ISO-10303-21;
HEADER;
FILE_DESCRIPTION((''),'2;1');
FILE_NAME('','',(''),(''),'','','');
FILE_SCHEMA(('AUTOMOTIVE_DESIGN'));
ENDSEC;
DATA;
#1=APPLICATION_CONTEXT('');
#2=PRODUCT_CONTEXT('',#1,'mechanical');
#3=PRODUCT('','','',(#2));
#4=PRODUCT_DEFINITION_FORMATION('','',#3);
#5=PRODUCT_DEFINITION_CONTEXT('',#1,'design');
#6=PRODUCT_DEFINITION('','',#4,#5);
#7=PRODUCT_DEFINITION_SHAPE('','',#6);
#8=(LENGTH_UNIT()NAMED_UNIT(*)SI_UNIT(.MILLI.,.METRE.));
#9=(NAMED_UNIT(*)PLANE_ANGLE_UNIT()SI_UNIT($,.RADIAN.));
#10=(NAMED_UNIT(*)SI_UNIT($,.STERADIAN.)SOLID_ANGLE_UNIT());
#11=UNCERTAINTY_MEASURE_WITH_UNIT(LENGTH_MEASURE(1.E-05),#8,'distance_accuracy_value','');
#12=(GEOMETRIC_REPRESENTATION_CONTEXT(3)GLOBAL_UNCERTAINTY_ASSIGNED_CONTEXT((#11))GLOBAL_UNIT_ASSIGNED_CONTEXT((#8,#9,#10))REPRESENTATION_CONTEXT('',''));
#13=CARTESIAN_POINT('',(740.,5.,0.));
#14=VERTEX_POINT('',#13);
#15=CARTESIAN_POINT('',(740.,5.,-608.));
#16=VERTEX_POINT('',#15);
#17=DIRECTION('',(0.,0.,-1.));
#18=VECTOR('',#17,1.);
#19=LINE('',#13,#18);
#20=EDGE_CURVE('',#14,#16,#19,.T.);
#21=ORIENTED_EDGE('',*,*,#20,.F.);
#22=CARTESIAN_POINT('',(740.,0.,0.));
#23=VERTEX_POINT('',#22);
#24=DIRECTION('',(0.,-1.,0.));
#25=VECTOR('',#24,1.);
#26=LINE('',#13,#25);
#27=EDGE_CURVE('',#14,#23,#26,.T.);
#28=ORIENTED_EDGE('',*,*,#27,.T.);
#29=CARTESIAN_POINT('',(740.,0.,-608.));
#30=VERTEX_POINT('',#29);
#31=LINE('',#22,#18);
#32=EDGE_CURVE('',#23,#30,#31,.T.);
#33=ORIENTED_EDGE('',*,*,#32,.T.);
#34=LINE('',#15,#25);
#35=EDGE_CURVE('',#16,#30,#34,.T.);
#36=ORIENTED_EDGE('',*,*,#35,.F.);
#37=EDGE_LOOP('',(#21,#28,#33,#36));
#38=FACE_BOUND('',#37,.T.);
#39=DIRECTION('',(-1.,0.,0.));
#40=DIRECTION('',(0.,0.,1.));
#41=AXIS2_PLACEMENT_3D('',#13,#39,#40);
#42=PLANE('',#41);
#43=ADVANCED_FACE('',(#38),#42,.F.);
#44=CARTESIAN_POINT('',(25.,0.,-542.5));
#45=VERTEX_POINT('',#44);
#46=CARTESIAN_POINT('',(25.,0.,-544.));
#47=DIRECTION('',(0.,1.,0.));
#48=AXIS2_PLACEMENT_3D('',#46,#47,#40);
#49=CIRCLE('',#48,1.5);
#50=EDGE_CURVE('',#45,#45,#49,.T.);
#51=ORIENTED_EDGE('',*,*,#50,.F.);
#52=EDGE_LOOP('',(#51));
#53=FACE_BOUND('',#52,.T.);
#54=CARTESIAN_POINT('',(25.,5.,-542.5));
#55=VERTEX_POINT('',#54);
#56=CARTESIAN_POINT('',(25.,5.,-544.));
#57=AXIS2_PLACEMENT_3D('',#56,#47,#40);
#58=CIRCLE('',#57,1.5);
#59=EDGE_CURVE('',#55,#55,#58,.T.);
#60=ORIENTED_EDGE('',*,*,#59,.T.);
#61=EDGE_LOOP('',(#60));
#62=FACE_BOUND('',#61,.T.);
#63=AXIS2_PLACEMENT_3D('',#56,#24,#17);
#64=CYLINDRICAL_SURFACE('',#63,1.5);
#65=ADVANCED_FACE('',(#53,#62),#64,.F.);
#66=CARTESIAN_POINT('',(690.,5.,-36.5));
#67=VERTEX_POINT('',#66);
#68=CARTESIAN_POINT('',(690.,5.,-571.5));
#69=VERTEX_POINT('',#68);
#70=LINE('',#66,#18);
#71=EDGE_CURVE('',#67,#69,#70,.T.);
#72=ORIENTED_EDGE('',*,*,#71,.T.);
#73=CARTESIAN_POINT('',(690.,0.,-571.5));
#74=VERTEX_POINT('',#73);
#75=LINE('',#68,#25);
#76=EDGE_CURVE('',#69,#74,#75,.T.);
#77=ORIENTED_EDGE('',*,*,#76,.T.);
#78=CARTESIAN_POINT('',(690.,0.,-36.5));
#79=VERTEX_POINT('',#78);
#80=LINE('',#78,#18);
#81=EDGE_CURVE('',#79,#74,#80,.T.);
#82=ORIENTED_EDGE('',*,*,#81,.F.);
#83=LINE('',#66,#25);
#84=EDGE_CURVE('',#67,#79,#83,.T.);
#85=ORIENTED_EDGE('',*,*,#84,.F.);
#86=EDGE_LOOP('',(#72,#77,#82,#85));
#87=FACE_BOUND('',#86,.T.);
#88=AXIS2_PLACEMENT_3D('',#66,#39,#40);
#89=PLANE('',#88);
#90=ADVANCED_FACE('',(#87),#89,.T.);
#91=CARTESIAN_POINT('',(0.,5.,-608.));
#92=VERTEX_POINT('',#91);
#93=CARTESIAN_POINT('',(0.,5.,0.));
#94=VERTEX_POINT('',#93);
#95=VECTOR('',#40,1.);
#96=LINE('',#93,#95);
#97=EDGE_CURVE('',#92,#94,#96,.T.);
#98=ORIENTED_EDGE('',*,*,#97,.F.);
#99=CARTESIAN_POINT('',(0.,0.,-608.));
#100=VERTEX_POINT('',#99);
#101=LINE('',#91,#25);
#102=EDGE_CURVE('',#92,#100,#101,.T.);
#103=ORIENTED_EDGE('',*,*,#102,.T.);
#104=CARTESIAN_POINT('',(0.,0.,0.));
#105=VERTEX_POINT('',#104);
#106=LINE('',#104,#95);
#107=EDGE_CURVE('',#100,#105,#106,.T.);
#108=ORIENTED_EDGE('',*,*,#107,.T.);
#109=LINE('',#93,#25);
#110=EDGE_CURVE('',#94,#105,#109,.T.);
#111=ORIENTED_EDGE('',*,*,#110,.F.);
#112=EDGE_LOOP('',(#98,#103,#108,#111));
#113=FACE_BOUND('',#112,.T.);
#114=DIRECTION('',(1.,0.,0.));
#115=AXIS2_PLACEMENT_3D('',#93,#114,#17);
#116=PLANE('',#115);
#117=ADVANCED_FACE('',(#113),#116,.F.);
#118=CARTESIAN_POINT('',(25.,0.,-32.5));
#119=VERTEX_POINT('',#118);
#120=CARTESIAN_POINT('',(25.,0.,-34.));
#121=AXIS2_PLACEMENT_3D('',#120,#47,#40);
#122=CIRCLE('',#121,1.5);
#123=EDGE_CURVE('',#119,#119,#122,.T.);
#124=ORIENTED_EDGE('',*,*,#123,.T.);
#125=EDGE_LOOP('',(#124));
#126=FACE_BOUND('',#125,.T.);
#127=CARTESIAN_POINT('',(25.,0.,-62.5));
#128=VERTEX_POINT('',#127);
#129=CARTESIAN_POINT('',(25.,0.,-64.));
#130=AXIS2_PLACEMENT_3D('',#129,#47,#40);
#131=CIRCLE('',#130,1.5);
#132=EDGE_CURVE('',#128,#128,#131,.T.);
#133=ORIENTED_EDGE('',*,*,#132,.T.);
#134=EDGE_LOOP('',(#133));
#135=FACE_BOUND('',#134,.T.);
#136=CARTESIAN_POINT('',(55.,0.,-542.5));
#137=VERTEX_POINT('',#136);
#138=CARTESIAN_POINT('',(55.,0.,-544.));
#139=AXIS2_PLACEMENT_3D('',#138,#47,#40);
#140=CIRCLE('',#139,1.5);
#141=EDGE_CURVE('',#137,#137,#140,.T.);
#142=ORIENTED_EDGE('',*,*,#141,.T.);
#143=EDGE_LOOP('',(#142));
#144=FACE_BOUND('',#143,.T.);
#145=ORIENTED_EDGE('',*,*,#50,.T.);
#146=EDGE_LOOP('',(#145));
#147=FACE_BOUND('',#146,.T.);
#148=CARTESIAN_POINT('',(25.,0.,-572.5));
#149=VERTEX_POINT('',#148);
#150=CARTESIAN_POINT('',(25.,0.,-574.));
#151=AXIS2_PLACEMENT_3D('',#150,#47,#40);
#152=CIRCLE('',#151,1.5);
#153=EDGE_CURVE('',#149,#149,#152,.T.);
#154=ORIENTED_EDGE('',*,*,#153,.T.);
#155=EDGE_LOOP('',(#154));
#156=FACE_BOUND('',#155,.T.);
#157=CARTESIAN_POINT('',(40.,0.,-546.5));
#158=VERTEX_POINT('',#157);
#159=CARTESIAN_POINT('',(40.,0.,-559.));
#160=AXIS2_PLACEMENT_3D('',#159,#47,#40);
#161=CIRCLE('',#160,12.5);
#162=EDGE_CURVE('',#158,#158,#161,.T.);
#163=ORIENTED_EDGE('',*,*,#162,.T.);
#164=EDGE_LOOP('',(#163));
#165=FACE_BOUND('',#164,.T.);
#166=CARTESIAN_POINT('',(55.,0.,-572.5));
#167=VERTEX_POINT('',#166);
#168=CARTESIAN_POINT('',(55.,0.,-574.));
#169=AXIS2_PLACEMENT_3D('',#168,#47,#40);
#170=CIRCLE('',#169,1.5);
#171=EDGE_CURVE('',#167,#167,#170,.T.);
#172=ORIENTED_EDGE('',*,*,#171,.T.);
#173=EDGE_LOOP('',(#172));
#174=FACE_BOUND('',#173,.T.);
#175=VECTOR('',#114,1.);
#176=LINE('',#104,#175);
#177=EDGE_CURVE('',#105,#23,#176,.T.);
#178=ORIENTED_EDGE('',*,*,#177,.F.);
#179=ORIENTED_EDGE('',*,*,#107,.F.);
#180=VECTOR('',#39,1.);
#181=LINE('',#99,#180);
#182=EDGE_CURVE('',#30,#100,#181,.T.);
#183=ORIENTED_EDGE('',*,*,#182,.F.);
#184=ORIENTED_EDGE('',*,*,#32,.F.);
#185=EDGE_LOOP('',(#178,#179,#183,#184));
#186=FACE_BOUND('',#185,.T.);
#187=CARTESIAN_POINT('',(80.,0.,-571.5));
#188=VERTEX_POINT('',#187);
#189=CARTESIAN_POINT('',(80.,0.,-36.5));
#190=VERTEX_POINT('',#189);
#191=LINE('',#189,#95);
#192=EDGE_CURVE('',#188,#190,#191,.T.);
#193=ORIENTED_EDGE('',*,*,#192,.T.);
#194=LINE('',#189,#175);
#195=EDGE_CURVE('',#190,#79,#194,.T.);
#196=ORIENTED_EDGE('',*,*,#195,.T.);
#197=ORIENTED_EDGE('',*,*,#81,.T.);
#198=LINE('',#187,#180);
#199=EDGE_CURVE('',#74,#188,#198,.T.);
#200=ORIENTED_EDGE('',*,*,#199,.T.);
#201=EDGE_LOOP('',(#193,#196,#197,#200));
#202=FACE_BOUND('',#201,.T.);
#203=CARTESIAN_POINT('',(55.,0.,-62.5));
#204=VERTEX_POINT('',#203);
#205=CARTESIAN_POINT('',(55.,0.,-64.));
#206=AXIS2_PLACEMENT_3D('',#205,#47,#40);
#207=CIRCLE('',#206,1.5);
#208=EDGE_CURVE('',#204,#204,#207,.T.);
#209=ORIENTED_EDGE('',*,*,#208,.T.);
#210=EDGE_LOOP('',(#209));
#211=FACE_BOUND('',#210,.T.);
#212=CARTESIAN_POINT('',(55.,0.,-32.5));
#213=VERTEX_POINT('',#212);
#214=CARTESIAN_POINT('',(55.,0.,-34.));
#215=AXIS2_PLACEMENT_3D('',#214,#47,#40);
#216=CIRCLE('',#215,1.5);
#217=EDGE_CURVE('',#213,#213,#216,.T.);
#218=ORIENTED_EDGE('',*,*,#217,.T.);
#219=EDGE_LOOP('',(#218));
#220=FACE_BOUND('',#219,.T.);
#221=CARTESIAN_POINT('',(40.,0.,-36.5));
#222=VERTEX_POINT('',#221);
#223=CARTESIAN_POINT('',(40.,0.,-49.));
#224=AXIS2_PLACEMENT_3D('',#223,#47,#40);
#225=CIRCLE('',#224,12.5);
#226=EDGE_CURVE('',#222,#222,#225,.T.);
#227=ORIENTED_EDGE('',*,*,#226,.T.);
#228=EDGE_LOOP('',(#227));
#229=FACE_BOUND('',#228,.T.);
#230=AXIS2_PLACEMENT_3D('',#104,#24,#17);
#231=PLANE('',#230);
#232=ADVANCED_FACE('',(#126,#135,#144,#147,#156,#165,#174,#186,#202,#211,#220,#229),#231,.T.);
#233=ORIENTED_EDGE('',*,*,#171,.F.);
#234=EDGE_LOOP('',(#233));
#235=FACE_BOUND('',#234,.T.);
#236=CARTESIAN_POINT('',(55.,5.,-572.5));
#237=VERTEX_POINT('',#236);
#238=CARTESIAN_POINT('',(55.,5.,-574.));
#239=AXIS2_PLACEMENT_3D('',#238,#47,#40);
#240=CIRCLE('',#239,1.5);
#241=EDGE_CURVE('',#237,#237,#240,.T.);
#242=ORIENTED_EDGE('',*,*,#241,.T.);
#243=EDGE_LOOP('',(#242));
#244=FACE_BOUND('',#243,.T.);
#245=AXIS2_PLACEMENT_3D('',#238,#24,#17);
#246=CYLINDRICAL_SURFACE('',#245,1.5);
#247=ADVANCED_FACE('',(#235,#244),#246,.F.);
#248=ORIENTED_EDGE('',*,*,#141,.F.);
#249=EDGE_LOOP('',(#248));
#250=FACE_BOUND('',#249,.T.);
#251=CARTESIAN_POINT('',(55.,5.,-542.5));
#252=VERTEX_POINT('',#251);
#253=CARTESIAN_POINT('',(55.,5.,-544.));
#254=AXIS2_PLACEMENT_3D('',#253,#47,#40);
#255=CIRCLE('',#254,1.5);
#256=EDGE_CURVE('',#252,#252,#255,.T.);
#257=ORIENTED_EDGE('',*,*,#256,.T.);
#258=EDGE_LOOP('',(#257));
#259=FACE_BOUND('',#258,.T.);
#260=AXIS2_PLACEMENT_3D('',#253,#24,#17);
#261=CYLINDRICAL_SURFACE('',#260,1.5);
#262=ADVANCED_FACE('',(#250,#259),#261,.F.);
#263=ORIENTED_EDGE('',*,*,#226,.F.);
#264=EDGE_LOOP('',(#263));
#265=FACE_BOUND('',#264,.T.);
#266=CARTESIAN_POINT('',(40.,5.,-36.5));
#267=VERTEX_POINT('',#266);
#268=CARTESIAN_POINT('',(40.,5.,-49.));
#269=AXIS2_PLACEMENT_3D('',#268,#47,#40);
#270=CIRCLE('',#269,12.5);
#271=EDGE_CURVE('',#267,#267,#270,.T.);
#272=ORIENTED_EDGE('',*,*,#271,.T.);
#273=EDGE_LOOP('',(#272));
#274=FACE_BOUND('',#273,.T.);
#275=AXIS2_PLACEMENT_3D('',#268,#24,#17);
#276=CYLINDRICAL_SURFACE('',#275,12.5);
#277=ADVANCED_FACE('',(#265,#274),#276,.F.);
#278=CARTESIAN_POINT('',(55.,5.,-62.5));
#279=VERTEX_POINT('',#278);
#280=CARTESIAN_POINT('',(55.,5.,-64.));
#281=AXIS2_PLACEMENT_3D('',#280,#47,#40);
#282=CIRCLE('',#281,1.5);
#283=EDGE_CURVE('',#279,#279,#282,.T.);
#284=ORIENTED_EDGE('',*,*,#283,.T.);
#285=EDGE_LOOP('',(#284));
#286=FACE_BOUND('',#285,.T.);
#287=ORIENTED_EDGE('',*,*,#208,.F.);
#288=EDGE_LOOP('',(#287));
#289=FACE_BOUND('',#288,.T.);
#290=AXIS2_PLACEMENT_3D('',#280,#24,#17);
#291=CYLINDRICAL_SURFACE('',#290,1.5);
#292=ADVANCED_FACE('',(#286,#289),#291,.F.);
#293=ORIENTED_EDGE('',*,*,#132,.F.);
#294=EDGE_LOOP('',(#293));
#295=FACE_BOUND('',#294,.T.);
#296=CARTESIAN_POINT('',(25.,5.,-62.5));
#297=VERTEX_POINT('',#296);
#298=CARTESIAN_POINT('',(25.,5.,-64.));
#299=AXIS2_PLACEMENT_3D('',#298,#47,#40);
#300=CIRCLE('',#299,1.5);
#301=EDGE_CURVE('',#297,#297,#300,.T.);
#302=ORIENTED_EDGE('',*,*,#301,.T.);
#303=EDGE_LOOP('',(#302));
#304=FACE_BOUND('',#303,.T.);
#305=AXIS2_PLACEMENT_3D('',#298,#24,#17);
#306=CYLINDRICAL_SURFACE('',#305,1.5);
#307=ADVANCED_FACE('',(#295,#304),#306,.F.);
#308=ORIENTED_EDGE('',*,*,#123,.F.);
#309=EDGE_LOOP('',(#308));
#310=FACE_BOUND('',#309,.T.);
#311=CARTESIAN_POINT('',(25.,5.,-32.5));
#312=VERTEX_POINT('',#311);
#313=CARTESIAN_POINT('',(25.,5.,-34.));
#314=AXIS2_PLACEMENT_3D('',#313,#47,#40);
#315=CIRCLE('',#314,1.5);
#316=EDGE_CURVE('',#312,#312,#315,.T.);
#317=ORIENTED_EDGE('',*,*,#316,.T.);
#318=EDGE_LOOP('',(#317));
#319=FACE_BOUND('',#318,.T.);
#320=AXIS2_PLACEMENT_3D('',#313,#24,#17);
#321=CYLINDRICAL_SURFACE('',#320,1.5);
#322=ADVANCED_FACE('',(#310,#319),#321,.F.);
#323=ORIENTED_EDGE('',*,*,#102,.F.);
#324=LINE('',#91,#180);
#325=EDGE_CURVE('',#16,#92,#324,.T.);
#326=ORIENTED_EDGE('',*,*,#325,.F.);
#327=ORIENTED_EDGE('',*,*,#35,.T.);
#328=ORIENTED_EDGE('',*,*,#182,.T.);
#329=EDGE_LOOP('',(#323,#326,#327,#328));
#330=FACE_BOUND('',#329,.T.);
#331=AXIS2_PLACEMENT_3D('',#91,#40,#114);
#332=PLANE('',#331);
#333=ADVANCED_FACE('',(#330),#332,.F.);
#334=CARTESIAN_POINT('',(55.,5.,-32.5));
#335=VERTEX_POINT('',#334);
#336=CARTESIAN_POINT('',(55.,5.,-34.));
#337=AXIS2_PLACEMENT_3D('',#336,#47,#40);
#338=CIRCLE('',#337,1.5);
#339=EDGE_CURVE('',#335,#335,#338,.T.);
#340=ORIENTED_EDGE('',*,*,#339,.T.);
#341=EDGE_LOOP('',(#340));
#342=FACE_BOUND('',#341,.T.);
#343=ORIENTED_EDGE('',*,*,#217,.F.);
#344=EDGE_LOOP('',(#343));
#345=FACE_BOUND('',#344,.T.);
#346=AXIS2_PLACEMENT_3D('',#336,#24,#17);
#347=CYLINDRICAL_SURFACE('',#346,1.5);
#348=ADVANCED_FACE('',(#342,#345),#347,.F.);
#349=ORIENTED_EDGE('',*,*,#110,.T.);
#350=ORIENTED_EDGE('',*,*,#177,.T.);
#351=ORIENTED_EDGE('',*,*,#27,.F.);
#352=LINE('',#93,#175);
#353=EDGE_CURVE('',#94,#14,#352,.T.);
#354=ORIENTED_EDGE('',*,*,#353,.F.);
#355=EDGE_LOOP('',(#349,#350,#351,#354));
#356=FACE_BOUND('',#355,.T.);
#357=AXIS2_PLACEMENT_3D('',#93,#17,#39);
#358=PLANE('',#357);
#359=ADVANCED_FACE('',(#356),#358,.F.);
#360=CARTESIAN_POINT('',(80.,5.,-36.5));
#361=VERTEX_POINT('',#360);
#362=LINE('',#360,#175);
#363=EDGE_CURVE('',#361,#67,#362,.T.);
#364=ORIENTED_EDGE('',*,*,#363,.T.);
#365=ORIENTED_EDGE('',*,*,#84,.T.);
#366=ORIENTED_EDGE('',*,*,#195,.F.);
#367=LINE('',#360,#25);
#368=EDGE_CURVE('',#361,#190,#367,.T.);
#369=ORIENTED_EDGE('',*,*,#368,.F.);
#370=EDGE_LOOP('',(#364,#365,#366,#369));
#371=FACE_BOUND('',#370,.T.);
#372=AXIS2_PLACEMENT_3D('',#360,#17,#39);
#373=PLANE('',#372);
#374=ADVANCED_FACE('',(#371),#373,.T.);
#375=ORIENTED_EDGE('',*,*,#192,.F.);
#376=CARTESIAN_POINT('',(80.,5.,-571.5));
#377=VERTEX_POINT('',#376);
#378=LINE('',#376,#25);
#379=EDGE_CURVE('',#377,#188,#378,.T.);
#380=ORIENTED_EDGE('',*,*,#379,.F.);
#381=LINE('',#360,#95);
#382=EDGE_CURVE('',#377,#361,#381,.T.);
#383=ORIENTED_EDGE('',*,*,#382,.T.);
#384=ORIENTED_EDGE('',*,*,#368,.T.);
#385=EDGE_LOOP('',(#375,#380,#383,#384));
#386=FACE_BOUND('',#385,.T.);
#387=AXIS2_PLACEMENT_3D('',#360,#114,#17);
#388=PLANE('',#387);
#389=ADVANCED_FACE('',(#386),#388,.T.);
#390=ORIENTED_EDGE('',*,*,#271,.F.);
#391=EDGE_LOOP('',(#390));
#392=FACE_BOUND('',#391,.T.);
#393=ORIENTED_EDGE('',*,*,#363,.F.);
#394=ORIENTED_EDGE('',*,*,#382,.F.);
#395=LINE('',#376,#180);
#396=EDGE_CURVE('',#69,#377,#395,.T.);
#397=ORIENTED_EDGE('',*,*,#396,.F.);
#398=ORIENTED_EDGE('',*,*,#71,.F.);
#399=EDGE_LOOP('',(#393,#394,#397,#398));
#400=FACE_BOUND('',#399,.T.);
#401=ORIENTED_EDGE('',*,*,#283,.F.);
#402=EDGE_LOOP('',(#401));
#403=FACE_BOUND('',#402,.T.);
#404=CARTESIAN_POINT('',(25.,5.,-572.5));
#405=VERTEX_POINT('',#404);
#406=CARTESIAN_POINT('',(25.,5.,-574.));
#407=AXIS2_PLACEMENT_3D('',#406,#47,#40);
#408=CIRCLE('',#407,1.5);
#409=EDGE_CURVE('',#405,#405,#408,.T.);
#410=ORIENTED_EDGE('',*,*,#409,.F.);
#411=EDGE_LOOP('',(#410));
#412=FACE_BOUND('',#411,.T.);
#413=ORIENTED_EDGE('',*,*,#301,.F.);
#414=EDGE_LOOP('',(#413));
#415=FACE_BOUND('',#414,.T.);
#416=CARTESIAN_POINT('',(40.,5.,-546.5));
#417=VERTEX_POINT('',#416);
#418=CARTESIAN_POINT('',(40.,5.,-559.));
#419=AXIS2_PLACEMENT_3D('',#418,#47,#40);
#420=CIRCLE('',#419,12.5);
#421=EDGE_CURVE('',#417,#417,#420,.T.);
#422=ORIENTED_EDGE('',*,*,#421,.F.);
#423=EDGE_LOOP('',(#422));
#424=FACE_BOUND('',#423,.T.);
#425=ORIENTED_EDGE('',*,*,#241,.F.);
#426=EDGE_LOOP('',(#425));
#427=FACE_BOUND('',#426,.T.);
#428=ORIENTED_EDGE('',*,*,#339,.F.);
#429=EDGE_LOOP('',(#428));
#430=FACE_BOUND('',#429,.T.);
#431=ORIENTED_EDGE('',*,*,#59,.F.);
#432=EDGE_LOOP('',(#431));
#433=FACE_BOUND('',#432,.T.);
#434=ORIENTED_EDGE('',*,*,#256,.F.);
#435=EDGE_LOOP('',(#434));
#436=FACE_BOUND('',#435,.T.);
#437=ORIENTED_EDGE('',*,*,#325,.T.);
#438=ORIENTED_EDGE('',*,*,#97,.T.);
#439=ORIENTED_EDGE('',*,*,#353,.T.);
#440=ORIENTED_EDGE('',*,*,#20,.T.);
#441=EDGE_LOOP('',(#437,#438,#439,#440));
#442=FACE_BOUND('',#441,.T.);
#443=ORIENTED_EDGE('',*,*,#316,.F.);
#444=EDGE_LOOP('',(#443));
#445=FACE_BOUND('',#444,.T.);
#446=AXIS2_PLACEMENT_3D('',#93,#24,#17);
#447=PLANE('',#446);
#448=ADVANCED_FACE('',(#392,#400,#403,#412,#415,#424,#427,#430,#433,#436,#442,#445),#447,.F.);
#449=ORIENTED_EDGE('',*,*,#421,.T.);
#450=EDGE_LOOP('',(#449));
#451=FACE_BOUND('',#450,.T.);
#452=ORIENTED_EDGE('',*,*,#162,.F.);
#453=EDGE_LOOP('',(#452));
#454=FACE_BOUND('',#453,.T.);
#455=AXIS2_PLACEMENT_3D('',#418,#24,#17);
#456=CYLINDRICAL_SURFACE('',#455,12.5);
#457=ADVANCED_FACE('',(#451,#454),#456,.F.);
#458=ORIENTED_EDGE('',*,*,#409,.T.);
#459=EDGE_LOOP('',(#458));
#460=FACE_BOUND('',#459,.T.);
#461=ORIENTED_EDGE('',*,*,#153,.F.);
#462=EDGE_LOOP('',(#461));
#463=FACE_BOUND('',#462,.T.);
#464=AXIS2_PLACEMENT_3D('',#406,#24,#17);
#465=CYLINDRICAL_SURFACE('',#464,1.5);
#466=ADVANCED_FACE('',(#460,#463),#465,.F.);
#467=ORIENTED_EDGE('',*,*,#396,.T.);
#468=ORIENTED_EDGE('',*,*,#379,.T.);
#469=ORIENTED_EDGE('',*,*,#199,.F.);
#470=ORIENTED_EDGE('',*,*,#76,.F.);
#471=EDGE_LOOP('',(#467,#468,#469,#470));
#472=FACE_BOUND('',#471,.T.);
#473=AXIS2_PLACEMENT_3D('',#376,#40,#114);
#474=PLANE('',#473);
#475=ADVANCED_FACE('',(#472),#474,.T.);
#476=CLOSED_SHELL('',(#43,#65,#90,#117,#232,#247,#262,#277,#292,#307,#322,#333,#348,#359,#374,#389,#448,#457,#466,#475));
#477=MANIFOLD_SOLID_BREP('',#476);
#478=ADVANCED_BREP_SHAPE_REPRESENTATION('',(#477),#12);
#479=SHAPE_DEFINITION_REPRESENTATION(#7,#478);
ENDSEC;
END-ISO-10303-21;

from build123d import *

# Parameters (mm, degrees)
SKETCH1_W           = 740
SKETCH1_H           = 608
SKETCH1_R           = 12.5
SKETCH1_R_2         = 1.5
SKETCH1_W_2         = 610
SKETCH1_H_2         = 535
BOSS_EXTRUDE1_DEPTH = 5


with BuildPart() as part:
    # Sketch1 → Boss-Extrude1 (new body)
    with BuildSketch(Plane(origin=(0, 0, 0), x_dir=(1, 0, 0), z_dir=(0, 1, 0))):
        with Locations((370, 304)):
            Rectangle(SKETCH1_W, SKETCH1_H)
        with Locations(Location((40, 559, 0), (0, 0, 270))):
            Circle(SKETCH1_R, mode=Mode.SUBTRACT)
        with Locations(Location((40, 49, 0), (0, 0, 270))):
            Circle(SKETCH1_R, mode=Mode.SUBTRACT)
        with Locations(Location((25, 64, 0), (0, 0, 270))):
            Circle(SKETCH1_R_2, mode=Mode.SUBTRACT)
        with Locations(Location((25, 34, 0), (0, 0, 270))):
            Circle(SKETCH1_R_2, mode=Mode.SUBTRACT)
        with Locations(Location((55, 34, 0), (0, 0, 270))):
            Circle(SKETCH1_R_2, mode=Mode.SUBTRACT)
        with Locations(Location((55, 64, 0), (0, 0, 270))):
            Circle(SKETCH1_R_2, mode=Mode.SUBTRACT)
        with Locations(Location((25, 574, 0), (0, 0, 270))):
            Circle(SKETCH1_R_2, mode=Mode.SUBTRACT)
        with Locations(Location((55, 574, 0), (0, 0, 270))):
            Circle(SKETCH1_R_2, mode=Mode.SUBTRACT)
        with Locations(Location((55, 544, 0), (0, 0, 270))):
            Circle(SKETCH1_R_2, mode=Mode.SUBTRACT)
        with Locations(Location((25, 544, 0), (0, 0, 270))):
            Circle(SKETCH1_R_2, mode=Mode.SUBTRACT)
        with Locations((385, 304)):
            Rectangle(SKETCH1_W_2, SKETCH1_H_2, mode=Mode.SUBTRACT)
    extrude(amount=BOSS_EXTRUDE1_DEPTH)


solid = part.part
